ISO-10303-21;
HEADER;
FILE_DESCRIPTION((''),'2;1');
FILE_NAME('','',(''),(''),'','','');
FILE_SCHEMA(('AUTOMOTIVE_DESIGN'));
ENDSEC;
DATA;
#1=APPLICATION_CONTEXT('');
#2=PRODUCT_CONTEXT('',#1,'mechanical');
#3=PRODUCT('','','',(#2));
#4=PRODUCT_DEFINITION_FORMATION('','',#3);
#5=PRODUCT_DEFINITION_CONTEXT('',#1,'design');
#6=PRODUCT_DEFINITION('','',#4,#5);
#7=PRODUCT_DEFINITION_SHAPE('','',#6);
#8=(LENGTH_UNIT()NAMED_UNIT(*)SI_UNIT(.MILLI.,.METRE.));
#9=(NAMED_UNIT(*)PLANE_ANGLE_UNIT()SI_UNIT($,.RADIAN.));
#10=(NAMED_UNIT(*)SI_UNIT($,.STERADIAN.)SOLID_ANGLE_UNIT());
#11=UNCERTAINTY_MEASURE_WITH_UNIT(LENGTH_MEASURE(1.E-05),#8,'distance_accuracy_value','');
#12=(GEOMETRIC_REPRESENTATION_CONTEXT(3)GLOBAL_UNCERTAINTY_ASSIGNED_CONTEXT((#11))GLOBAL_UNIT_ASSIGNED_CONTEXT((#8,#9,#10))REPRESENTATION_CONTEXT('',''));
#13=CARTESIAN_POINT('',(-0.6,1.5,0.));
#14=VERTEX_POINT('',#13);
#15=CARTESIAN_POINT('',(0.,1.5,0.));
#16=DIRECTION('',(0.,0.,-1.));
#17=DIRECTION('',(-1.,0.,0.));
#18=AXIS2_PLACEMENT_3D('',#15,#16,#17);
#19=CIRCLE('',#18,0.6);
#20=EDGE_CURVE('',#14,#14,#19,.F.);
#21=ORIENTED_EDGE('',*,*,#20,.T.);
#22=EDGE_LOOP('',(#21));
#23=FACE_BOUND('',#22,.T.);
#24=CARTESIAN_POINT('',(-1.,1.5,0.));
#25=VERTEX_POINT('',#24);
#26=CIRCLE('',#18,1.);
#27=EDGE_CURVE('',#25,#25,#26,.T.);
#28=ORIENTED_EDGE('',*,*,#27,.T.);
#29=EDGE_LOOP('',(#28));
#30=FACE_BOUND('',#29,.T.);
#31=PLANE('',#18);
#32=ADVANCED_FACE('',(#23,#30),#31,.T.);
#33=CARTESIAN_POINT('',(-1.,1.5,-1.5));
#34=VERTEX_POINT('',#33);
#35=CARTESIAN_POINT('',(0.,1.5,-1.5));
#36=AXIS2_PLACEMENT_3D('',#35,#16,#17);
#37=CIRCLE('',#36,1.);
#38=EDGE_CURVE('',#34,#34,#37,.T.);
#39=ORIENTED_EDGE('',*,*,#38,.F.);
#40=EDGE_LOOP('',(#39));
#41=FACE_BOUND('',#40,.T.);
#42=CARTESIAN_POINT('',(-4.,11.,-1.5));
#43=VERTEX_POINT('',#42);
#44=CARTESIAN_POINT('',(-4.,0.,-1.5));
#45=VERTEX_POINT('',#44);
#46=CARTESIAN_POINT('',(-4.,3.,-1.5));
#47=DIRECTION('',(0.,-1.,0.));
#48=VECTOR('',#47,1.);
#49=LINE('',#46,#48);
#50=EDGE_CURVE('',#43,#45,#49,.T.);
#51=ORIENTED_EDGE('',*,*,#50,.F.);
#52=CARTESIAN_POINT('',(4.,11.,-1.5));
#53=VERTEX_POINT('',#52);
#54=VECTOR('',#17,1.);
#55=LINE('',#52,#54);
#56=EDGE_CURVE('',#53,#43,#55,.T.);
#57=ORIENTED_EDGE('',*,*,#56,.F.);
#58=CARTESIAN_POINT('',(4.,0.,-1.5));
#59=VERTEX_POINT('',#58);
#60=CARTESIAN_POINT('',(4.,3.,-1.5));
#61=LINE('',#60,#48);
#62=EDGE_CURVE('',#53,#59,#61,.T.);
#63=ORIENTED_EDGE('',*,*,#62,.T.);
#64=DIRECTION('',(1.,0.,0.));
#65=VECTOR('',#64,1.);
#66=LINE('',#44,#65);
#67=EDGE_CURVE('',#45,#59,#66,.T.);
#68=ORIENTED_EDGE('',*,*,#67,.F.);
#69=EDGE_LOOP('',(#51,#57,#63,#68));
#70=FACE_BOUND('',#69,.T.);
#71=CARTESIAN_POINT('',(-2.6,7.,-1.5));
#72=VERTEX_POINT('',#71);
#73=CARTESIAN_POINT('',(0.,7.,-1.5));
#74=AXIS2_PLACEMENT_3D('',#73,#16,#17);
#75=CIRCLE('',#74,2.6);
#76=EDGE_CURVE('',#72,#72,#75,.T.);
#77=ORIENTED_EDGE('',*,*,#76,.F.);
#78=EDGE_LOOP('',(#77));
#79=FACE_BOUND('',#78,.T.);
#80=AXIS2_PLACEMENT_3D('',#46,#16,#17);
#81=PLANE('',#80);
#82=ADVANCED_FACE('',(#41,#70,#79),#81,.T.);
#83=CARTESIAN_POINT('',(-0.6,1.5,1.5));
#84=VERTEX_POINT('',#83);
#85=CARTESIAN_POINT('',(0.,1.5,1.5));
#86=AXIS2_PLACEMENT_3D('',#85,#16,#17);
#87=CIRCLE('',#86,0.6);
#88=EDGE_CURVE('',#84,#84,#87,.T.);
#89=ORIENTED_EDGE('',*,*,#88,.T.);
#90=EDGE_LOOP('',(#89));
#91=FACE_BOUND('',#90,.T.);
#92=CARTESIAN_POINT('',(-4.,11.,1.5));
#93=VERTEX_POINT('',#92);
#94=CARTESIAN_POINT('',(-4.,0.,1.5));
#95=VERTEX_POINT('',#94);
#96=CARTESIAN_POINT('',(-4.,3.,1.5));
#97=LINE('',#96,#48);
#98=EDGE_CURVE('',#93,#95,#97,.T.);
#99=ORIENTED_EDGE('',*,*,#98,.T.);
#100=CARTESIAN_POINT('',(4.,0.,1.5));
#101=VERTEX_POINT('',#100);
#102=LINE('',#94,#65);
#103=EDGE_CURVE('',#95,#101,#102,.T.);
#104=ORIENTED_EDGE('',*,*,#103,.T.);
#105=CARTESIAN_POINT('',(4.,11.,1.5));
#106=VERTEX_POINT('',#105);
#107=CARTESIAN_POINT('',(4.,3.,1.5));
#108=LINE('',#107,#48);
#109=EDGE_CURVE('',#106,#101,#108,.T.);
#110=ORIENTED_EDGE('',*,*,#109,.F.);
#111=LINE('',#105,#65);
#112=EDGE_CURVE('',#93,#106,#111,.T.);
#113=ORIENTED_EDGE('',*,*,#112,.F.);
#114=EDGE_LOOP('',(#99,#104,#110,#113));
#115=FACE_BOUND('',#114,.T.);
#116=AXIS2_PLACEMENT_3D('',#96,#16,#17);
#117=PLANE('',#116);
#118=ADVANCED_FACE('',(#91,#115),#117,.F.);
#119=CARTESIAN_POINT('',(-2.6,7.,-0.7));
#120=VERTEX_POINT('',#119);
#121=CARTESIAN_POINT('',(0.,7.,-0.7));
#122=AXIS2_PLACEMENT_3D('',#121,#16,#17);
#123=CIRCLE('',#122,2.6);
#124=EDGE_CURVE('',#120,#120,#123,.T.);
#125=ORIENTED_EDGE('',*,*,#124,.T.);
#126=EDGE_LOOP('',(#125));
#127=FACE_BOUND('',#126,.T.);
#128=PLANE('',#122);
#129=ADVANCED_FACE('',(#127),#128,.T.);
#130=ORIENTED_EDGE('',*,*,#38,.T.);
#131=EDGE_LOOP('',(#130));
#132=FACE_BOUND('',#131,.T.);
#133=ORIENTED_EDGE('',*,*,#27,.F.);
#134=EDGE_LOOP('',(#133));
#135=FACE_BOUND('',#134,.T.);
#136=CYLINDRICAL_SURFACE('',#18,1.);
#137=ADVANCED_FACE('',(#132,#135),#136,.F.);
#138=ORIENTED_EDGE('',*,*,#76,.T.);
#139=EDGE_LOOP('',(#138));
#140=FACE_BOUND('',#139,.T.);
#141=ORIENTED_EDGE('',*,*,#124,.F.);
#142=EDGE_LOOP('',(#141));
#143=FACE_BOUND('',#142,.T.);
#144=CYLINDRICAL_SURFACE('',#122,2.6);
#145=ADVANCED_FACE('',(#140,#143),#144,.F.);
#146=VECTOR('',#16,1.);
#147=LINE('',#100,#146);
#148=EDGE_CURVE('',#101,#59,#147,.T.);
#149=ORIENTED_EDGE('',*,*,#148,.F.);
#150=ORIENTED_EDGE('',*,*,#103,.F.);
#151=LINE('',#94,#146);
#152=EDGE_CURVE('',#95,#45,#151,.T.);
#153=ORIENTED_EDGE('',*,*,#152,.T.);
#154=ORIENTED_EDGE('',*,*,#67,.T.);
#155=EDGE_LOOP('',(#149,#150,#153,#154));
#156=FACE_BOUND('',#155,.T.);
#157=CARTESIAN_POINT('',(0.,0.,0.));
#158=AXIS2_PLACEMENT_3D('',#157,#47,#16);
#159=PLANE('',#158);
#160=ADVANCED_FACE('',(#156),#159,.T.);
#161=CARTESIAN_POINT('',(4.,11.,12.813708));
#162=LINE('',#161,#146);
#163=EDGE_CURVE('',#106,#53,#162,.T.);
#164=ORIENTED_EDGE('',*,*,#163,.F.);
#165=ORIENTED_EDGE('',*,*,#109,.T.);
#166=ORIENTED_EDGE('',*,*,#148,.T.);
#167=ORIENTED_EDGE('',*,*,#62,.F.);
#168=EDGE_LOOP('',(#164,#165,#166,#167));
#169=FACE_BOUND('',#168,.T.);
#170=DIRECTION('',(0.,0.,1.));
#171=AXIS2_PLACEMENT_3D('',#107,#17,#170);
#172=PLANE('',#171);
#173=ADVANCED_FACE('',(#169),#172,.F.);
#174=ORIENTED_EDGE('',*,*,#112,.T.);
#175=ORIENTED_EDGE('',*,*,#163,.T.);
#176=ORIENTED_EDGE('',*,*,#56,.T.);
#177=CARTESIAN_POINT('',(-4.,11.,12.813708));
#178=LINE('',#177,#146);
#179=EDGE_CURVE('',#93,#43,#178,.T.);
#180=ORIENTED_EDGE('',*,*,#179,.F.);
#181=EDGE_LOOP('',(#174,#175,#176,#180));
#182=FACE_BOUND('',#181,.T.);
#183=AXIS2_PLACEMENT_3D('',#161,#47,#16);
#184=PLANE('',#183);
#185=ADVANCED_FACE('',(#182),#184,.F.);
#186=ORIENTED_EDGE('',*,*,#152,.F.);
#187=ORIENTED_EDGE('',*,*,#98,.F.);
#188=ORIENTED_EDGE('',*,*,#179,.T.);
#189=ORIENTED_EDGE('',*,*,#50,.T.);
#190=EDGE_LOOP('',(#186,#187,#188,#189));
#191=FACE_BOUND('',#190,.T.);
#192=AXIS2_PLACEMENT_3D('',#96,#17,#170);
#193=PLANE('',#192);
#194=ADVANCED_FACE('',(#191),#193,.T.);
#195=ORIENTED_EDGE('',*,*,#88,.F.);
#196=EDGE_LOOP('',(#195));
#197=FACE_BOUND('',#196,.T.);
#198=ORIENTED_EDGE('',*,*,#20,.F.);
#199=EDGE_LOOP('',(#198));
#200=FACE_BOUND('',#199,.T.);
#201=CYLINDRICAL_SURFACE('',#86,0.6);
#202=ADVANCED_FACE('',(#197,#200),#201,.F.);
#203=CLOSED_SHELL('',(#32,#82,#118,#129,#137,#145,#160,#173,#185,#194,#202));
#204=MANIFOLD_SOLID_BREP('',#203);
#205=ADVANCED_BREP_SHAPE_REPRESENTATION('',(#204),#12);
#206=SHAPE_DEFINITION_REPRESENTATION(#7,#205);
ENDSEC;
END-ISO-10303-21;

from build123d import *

# Parameters (mm, degrees)
SKETCH_1_W          = 8
SKETCH_1_H          = 3
EXTRUDE_1_DEPTH     = 3
SKETCH_2_W          = 8
SKETCH_2_H          = 8
EXTRUDE_2_DEPTH     = 3
SKETCH_2_3_R        = 2.6
CUT_EXTRUDE_1_DEPTH = 0.8
SKETCH_3_R          = 0.6
CUT_EXTRUDE_2_DEPTH = 13.083045974
SKETCH_3_3_R        = 1
CUT_EXTRUDE_3_DEPTH = 1.5


with BuildPart() as part:
    # 草图1 → 凸台-拉伸1 (new body)
    with BuildSketch(Plane(origin=(0, 0, 0), x_dir=(1, 0, 0), z_dir=(0, 1, 0))):
        Rectangle(SKETCH_1_W, SKETCH_1_H)
    extrude(amount=EXTRUDE_1_DEPTH)

    # 草图2 → 凸台-拉伸2 (add)
    with BuildSketch(Plane(origin=(0, 0, -1.5), x_dir=(-1, 0, 0), z_dir=(0, 0, -1))):
        with Locations((0, 7)):
            Rectangle(SKETCH_2_W, SKETCH_2_H)
    extrude(amount=-EXTRUDE_2_DEPTH)

    # 草图2<3> → 切除-拉伸1 (cut)
    with BuildSketch(Plane(origin=(0, 0, -1.5), x_dir=(-1, 0, 0), z_dir=(0, 0, -1))):
        with Locations((0, 7)):
            Circle(SKETCH_2_3_R)
    extrude(amount=-CUT_EXTRUDE_1_DEPTH, mode=Mode.SUBTRACT)

    # 草图3 → 切除-拉伸2 (cut, through all)
    with BuildSketch(Plane(origin=(0, 0, -1.5), x_dir=(-1, 0, 0), z_dir=(0, 0, -1))):
        with Locations((0, 1.5)):
            Circle(SKETCH_3_R)
    extrude(amount=-CUT_EXTRUDE_2_DEPTH, mode=Mode.SUBTRACT)

    # 草图3<3> → 切除-拉伸3 (cut)
    with BuildSketch(Plane(origin=(0, 0, -1.5), x_dir=(-1, 0, 0), z_dir=(0, 0, -1))):
        with Locations((0, 1.5)):
            Circle(SKETCH_3_3_R)
    extrude(amount=-CUT_EXTRUDE_3_DEPTH, mode=Mode.SUBTRACT)


solid = part.part
